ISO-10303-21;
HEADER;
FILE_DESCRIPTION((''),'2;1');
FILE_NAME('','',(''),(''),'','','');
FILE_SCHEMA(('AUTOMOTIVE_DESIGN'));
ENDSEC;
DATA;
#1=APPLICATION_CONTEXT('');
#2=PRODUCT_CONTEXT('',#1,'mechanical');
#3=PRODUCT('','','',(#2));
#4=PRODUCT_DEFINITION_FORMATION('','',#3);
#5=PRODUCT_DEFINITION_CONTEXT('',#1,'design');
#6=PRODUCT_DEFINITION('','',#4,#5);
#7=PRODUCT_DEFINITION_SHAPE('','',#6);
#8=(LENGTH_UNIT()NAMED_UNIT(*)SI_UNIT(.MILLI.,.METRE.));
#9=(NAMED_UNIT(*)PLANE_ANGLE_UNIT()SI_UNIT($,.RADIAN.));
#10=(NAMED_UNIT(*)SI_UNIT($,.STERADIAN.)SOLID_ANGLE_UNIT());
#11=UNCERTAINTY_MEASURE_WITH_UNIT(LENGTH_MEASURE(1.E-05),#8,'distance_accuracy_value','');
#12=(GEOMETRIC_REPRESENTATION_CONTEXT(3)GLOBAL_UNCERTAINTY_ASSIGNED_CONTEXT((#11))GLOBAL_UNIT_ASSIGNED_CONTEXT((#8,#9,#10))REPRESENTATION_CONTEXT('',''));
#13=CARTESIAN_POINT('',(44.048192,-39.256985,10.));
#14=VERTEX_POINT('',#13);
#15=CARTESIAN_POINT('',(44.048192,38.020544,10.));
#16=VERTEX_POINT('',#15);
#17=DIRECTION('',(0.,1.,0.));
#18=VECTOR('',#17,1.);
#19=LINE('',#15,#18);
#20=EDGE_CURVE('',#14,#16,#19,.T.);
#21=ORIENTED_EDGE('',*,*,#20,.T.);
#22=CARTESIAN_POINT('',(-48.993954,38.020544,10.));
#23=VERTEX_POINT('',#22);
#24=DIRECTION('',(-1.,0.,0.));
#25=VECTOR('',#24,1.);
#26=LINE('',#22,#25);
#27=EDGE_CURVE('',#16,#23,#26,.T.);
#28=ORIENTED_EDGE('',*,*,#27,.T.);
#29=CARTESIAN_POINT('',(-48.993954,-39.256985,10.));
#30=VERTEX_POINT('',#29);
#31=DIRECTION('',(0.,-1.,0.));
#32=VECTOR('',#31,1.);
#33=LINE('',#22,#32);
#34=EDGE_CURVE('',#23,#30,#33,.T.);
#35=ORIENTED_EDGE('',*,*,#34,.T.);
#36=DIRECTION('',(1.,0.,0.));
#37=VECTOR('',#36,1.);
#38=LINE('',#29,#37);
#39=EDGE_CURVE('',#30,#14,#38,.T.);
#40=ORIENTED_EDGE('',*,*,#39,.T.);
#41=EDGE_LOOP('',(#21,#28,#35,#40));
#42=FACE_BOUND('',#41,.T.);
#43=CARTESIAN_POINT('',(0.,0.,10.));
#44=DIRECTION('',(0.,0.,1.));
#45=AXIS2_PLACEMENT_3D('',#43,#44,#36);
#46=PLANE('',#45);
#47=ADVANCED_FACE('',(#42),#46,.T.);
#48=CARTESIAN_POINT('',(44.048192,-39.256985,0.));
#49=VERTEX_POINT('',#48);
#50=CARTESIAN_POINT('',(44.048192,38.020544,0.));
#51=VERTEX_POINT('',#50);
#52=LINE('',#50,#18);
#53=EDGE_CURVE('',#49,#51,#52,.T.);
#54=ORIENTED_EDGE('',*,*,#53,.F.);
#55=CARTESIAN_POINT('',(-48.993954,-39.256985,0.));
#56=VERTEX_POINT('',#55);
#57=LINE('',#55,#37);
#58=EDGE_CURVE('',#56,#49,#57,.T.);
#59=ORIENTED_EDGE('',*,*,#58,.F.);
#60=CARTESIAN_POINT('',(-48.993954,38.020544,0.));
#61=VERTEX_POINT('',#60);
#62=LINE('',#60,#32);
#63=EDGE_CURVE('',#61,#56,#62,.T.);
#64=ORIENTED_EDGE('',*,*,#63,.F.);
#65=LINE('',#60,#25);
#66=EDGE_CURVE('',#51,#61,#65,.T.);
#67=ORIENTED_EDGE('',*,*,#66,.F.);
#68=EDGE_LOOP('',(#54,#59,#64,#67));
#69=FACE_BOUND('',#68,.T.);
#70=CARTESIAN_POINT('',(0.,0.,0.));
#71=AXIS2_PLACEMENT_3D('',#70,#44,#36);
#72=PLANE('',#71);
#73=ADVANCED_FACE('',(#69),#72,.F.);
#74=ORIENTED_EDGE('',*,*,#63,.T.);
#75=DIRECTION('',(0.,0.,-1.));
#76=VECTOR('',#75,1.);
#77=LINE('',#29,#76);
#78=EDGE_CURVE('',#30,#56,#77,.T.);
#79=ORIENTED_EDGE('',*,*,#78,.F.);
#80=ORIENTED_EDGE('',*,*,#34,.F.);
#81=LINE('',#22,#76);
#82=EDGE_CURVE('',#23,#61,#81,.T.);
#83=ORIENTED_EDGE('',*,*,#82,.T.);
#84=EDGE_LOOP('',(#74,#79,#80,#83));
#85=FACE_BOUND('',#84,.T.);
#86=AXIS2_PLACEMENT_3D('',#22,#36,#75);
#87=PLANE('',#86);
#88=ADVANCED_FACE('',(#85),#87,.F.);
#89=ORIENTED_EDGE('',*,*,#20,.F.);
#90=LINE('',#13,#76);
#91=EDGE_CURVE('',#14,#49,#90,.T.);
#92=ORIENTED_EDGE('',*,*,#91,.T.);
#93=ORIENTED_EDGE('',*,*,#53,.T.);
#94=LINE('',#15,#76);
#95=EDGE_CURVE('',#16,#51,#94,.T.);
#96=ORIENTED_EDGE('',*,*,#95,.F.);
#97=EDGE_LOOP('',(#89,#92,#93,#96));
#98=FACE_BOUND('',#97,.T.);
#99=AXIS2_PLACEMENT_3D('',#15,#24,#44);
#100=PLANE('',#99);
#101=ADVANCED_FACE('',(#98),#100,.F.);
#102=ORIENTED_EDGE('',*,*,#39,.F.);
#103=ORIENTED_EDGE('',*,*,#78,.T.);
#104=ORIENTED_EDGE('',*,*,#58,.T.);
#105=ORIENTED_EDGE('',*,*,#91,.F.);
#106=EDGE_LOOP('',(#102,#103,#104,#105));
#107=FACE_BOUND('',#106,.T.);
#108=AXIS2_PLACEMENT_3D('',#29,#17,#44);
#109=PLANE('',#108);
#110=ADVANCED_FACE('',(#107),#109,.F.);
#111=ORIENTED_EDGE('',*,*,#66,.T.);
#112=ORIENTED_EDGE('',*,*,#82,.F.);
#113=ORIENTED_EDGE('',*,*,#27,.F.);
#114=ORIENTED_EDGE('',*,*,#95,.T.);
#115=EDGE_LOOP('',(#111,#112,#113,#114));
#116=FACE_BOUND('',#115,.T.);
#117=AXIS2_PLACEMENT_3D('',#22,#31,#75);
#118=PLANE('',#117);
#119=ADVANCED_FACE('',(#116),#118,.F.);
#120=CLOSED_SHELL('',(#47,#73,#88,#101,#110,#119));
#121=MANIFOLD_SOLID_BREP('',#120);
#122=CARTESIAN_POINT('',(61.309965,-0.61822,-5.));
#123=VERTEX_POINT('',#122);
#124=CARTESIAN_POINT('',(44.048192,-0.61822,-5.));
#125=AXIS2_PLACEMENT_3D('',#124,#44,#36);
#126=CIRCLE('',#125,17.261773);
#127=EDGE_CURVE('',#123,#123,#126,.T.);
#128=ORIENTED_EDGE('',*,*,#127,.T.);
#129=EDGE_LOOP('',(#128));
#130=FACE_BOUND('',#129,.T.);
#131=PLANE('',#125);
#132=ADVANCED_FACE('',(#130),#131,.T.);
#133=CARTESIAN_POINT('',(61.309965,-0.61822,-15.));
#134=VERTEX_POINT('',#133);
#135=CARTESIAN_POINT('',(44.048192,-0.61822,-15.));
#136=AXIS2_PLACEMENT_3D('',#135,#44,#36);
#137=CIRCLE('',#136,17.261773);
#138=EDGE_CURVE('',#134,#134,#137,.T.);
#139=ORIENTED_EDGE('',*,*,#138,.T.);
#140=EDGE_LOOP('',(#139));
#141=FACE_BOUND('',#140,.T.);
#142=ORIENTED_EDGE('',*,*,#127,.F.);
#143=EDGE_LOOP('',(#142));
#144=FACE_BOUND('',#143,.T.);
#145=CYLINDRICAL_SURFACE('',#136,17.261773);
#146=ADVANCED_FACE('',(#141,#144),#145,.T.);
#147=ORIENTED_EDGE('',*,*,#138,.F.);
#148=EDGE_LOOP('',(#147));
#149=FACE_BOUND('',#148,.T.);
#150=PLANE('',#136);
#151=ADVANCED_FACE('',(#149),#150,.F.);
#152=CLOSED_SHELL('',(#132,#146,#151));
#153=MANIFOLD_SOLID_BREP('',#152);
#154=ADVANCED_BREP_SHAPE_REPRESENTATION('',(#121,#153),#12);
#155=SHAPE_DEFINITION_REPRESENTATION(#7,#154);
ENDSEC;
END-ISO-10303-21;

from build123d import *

# Parameters (mm, degrees)
F_1_FR_W        = 93.042145165
F_1_FR_H        = 77.277529207
EXTRUDE_1_DEPTH = 10
SKETCH_5_R      = 17.261773312
EXTRUDE_2_DEPTH = 10


with BuildPart() as part:
    # Эскиз1_fr → Бобышка-Вытянуть1 (new body)
    with BuildSketch(Plane.XY):
        with Locations((-2.472880935, -0.618220234)):
            Rectangle(F_1_FR_W, F_1_FR_H)
    extrude(amount=EXTRUDE_1_DEPTH)


with BuildPart() as body_2:
    # Эскиз5 → Бобышка-Вытянуть2 (new body)
    with BuildSketch(Plane.XY.offset(-5)):
        with Locations((44.048191648, -0.618220234)):
            Circle(SKETCH_5_R)
    extrude(amount=-EXTRUDE_2_DEPTH)


solid = Compound([part.part, body_2.part])
